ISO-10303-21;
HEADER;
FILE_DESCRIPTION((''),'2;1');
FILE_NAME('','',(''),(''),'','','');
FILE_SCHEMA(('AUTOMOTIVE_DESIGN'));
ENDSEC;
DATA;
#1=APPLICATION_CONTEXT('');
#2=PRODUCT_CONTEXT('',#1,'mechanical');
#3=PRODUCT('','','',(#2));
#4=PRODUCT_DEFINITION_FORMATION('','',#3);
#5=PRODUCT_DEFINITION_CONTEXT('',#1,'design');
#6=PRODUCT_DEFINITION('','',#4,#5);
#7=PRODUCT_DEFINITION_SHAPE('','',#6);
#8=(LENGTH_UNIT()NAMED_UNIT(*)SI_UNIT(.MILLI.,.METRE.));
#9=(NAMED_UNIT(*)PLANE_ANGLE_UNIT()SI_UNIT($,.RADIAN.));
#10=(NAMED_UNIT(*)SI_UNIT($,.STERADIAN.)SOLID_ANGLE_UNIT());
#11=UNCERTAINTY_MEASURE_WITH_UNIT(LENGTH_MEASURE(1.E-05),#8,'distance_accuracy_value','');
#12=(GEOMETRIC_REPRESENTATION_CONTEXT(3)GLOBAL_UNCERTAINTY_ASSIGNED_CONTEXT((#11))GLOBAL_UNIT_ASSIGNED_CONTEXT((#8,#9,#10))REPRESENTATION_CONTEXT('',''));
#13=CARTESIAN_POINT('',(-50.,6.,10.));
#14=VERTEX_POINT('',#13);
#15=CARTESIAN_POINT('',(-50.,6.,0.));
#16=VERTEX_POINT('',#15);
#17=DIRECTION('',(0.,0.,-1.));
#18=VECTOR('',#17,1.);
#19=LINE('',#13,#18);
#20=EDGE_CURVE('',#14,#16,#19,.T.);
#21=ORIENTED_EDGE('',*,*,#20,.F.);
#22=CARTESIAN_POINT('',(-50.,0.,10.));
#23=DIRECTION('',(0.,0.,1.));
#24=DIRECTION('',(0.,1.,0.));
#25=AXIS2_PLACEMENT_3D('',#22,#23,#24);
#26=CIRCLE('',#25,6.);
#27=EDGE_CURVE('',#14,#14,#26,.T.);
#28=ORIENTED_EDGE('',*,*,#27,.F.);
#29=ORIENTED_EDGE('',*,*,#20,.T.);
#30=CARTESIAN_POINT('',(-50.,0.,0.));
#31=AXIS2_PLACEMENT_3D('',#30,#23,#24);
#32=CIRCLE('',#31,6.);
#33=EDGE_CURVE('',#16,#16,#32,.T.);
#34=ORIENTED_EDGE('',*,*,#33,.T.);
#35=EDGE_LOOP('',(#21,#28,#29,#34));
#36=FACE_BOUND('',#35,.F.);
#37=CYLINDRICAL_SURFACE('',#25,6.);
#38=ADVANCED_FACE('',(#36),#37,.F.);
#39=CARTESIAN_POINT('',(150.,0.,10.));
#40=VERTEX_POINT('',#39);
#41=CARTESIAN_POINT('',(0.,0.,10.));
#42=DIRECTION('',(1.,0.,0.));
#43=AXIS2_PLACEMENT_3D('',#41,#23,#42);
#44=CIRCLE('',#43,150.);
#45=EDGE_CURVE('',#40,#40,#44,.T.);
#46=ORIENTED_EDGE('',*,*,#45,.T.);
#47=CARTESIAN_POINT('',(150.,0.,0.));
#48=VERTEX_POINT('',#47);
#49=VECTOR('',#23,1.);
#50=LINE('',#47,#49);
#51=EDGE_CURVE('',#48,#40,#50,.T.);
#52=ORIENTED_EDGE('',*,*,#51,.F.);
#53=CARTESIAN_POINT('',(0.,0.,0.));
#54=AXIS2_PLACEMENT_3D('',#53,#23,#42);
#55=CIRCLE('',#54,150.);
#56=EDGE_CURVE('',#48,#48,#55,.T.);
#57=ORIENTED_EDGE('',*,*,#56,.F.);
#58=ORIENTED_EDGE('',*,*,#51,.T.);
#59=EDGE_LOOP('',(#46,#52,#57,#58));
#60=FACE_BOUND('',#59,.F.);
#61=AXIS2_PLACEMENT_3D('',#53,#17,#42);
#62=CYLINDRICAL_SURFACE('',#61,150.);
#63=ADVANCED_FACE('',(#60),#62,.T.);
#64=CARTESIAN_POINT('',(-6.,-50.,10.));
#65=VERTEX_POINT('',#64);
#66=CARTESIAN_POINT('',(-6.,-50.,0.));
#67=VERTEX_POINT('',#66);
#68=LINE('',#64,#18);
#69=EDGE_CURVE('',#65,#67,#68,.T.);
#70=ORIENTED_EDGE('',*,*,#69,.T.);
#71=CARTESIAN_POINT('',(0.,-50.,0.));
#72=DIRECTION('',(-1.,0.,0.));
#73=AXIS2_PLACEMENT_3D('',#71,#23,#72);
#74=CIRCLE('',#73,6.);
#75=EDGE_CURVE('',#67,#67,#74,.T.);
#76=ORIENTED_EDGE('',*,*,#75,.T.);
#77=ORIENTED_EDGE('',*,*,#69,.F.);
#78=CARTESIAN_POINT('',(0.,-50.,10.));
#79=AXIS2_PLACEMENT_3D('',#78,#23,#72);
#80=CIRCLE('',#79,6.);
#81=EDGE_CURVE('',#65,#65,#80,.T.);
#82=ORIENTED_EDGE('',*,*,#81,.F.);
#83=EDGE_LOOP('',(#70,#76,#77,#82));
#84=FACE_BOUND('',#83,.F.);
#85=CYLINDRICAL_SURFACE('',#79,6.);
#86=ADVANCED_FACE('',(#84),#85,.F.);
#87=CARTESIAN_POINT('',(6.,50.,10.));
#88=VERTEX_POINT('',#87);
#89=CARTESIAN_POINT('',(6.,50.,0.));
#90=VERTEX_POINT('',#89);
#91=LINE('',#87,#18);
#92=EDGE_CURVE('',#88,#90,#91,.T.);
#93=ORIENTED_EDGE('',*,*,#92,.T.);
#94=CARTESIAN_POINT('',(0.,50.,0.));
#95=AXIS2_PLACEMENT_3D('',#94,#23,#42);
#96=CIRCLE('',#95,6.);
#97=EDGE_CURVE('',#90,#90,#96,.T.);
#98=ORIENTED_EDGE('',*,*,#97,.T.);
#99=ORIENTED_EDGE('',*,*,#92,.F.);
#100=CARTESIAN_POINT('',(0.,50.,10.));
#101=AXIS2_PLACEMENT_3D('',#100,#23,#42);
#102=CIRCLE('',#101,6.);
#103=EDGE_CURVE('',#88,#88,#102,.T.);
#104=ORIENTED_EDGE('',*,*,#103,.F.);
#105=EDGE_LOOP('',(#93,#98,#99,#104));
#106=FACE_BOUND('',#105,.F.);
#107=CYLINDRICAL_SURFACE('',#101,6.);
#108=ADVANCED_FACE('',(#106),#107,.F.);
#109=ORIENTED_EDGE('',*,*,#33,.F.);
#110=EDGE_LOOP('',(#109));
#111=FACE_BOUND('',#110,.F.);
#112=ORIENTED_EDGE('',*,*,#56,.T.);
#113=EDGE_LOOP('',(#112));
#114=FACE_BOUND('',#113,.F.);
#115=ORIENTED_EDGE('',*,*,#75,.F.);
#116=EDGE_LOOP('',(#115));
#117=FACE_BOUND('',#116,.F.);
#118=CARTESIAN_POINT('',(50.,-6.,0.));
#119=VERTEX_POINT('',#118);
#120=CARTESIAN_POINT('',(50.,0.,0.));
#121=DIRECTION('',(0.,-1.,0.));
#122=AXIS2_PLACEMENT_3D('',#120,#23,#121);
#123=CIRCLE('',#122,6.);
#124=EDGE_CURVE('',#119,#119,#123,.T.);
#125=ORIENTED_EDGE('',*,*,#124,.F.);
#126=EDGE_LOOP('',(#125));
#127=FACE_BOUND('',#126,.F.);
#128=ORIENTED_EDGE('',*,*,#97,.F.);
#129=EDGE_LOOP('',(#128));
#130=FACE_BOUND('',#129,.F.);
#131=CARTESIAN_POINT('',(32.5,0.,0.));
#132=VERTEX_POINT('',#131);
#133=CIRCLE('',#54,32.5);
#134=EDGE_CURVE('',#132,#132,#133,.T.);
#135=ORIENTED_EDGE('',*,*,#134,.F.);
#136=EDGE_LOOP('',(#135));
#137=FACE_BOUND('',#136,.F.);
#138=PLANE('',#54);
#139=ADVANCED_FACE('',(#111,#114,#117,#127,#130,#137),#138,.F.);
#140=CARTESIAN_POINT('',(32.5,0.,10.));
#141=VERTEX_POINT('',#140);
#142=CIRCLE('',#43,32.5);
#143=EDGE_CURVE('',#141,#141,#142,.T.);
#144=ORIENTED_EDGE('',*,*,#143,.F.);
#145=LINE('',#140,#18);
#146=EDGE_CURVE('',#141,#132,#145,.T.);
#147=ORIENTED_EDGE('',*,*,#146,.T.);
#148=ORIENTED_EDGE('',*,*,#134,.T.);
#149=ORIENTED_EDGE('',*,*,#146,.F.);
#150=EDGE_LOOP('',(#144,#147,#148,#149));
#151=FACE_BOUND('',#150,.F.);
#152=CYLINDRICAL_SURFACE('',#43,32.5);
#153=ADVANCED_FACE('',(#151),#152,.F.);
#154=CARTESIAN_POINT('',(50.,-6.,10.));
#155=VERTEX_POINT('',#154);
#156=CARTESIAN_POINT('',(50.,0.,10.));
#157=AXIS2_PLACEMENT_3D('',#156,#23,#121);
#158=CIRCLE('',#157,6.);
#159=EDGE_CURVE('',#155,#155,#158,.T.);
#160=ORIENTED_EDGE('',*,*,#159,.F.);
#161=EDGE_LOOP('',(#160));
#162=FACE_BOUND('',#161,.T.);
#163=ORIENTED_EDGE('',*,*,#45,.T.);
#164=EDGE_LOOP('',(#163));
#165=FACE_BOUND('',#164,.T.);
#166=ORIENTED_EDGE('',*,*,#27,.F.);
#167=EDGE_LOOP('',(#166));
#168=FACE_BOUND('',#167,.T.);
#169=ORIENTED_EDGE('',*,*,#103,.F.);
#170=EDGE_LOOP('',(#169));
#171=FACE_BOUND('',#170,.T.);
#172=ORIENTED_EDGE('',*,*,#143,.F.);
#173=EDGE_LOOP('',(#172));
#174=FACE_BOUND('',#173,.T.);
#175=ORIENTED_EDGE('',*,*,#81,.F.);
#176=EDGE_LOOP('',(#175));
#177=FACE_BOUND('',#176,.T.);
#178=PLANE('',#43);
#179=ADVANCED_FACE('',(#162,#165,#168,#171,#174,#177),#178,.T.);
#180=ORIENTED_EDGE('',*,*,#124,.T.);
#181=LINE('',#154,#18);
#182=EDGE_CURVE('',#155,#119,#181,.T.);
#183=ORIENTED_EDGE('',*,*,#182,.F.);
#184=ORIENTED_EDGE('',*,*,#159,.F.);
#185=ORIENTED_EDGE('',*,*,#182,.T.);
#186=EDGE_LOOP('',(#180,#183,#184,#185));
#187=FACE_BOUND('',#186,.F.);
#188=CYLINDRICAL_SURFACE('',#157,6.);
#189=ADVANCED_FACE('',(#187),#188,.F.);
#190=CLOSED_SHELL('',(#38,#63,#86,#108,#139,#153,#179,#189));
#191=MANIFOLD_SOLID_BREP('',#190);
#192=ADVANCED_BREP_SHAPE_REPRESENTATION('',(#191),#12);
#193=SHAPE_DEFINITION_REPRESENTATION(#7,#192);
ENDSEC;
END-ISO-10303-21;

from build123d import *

# Parameters (mm, degrees)
SKETCH_R           = 150
PAD_DEPTH          = 10
SKETCH001_R        = 6
POCKET_DEPTH       = 858.764807
POLARPATTERN_COUNT = 4
SKETCH002_R        = 32.5
POCKET001_DEPTH    = 10.001


with BuildPart() as part:
    # Sketch → Pad (new body)
    with BuildSketch(Plane.XY):
        Circle(SKETCH_R)
    extrude(amount=PAD_DEPTH)

    # Sketch001 (on Face3 of Pad) → Pocket (cut, through all)
    with BuildSketch(Plane.XY.offset(10)):
        with Locations((0, 50)):
            Circle(SKETCH001_R)
    pocket = extrude(amount=-POCKET_DEPTH, mode=Mode.SUBTRACT)

    # PolarPattern: Pocket ×4 about axis
    polarpattern_axis = Axis((0, 0, 10), (0, 0, 1))
    for i in range(1, POLARPATTERN_COUNT):
        add(pocket.rotate(polarpattern_axis, i * 360 / POLARPATTERN_COUNT), mode=Mode.SUBTRACT)

    # Sketch002 (on Face3 of PolarPattern) → Pocket001 (cut, through all)
    with BuildSketch(Plane.XY.offset(10)):
        Circle(SKETCH002_R)
    extrude(amount=-POCKET001_DEPTH, mode=Mode.SUBTRACT)


solid = part.part
